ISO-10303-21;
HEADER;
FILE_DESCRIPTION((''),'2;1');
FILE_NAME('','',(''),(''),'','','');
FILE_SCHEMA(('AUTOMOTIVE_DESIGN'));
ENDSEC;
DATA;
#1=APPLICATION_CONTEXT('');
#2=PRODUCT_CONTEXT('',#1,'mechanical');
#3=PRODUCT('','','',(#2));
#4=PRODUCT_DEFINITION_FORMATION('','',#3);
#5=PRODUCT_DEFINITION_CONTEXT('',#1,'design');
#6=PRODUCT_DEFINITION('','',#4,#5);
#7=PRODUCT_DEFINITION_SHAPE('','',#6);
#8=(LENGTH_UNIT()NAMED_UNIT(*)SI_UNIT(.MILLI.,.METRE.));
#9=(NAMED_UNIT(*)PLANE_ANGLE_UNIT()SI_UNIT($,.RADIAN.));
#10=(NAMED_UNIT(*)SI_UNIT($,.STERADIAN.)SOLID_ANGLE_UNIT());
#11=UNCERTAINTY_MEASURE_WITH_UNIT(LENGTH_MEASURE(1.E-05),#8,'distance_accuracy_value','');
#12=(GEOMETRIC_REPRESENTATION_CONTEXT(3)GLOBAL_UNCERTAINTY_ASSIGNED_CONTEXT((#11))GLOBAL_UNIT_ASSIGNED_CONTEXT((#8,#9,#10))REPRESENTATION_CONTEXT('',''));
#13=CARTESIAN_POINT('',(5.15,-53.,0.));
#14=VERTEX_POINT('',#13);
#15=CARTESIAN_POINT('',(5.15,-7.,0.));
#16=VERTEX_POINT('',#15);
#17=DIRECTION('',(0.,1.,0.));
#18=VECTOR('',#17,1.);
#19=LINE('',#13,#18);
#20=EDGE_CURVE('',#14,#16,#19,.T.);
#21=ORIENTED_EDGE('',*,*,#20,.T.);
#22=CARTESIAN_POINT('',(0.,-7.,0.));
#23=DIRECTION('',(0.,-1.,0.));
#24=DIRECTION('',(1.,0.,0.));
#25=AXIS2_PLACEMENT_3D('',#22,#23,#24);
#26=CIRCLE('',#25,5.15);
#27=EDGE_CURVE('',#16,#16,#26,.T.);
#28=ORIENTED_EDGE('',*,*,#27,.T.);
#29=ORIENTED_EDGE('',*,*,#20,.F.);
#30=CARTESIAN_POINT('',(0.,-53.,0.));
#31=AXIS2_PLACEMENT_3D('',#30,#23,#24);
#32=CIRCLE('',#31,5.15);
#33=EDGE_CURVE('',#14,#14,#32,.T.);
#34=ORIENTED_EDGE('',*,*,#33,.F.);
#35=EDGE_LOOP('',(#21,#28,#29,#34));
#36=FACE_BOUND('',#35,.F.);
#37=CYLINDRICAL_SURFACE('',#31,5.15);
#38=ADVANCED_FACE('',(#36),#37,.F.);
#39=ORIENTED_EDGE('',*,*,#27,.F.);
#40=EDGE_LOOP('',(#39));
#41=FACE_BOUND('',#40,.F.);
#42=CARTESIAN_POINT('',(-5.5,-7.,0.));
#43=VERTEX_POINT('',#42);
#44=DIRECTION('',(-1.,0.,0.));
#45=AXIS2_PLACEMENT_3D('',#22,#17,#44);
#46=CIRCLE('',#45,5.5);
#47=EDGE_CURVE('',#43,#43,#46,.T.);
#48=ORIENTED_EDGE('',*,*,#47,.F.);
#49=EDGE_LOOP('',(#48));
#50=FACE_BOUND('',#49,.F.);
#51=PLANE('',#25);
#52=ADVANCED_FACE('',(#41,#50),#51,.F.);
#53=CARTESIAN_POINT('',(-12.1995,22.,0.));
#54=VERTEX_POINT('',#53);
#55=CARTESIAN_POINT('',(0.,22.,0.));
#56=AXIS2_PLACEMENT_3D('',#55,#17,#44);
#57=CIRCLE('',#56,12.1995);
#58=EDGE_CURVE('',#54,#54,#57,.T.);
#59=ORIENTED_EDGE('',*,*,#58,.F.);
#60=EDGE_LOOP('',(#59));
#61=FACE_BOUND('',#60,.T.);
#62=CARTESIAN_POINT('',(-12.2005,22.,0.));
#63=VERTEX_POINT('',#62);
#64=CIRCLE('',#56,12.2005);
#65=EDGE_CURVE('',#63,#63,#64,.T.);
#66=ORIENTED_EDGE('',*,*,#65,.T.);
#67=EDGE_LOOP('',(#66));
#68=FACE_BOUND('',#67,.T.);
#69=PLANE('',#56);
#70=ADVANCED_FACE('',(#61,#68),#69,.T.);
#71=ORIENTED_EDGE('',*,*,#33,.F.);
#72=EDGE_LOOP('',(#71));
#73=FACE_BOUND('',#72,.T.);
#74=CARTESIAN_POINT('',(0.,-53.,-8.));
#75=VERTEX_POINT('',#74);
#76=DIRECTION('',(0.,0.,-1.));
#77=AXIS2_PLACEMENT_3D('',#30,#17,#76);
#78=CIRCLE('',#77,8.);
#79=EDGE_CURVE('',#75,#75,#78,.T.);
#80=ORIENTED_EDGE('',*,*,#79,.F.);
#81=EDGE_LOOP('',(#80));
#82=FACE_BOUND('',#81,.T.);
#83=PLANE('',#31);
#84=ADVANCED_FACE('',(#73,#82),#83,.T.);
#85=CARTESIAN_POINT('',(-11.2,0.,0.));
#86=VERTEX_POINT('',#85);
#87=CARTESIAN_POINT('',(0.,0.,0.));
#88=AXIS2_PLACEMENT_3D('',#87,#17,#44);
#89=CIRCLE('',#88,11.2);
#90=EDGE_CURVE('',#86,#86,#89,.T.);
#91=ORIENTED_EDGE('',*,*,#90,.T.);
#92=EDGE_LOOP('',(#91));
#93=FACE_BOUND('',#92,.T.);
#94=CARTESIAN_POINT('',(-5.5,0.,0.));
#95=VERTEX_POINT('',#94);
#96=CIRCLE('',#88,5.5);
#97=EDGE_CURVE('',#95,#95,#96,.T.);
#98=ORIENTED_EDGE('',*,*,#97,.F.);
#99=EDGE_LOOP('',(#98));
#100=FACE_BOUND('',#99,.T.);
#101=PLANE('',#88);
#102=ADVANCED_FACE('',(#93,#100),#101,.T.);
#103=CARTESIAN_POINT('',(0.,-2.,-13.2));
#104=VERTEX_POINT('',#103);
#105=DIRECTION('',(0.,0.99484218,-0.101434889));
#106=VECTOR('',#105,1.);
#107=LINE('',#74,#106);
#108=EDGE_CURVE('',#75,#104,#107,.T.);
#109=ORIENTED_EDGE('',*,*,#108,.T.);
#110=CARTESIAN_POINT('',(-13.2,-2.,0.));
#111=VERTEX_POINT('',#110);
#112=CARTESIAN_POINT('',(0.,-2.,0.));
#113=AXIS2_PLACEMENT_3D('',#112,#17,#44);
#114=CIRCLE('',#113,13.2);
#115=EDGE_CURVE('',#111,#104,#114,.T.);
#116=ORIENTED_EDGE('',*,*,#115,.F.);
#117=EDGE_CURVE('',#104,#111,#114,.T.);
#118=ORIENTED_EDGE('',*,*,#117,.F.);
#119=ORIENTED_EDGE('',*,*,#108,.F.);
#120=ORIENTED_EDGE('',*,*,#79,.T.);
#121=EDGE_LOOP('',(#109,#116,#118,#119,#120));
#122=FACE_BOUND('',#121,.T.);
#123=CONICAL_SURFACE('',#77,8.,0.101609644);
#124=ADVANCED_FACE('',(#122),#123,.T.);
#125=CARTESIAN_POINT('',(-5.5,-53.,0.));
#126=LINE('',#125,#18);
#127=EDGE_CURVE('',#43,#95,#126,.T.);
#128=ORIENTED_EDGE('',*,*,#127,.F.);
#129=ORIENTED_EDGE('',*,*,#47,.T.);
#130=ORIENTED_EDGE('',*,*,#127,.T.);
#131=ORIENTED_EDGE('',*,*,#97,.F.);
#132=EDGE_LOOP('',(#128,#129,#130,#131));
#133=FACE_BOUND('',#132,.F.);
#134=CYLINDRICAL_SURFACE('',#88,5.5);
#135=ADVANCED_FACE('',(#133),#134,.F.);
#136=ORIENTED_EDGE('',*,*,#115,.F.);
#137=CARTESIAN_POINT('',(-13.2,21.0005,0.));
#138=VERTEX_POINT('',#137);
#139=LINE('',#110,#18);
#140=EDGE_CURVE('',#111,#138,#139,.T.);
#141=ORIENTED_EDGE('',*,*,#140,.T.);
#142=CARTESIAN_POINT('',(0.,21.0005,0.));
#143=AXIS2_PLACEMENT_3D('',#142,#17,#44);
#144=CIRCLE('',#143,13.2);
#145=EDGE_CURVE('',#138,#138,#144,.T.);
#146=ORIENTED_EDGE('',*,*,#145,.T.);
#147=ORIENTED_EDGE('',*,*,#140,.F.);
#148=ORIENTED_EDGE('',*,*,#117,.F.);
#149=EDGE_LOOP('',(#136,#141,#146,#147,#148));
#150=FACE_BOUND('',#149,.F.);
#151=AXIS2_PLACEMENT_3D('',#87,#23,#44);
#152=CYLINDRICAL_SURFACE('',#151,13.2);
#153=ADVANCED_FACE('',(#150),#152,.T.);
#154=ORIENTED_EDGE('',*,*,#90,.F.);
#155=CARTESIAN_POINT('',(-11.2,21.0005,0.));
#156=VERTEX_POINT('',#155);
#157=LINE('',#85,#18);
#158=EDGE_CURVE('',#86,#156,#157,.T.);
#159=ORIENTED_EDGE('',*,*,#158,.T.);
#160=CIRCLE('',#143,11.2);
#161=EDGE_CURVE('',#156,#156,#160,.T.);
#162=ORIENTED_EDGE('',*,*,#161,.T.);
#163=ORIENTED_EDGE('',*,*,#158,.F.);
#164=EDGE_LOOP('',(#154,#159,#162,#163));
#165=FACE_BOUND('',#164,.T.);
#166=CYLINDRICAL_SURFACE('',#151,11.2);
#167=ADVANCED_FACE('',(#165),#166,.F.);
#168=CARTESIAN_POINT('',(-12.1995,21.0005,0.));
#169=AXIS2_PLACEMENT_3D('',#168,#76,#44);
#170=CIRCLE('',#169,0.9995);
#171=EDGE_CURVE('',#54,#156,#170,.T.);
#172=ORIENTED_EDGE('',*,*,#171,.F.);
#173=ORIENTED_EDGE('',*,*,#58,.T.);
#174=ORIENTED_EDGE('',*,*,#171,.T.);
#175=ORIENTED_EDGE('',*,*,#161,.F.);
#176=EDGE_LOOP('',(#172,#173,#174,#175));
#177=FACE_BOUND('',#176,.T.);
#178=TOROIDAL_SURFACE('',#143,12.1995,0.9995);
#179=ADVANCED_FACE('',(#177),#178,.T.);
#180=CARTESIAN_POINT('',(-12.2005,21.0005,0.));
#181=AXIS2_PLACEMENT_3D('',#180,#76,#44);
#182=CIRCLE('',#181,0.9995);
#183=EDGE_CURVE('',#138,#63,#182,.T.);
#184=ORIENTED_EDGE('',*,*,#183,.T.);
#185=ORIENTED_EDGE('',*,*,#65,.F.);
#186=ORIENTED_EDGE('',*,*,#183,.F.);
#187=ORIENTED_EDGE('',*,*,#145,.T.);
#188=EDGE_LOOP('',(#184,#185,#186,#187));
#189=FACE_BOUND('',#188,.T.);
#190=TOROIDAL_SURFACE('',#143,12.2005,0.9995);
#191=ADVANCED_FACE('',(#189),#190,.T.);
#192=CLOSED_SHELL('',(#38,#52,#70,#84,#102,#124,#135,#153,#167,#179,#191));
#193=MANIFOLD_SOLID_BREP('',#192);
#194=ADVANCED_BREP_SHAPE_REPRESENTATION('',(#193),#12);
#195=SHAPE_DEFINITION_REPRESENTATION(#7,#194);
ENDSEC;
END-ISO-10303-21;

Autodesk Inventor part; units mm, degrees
sketch "Эскиз1" plane through (0, 0, 0) normal (0, 1, 0) x (-1, 0, 0)
  circle A0 centre (0, 0) radius 11.2
  circle A1 centre (0, 0) radius 13.2
  circle A2 centre (0, 0) radius 5.5
  dimension "d0" = 22.4
  dimension "d1" = 2
  dimension "d2" = 11
extrude "Выдавливание1" add sketch "Эскиз1" along normal blind 22 contours A1
extrude "Выдавливание2" add sketch "Эскиз1" against normal blind 2 contours A0 | A1
fillet "Сопряжение1" radius 1 2 edges at (13.2, 22, 0) (11.2, 22, 0)
sketch "Эскиз2" plane through (0, 0, 0) normal (1, 0, 0) x (0, 1, 0)
  line L0 (-53, 0) -> (-53, -8)
  line L1 (-53, 0) -> (-2, 0)
  line L2 (-69.0693, 0) -> (-63.203, 0)
  line L3 (-2, 13.2) -> (-2, -13.2)
  line L4 (-2, 13.2) -> (-2, -13.2) projected
  line L5 (-53, -8) -> (-2, -13.2)
  point P0 (0, 0)
  dimension "d13" = 51
  dimension "d14" = 8
revolve "Вращение1" add sketch "Эскиз2" angle 360 about axis through (0, -69.0693, 0) along (0, 1, 0)
extrude "Выдавливание3" cut sketch "Эскиз1" against normal up to surface (53 mm away) contours A2
sketch "Эскиз5" plane through (0, -53, 0) normal (0, -1, 0) x (1, 0, 0)
  circle A0 centre (0, 0) radius 5.15
  circle A1 centre (0, 0) radius 5.5 projected
  dimension "d18" = 10.3
extrude "Выдавливание4" add sketch "Эскиз5" against normal blind 46
properties part number "Стакан для крепления ходовой гайки"
